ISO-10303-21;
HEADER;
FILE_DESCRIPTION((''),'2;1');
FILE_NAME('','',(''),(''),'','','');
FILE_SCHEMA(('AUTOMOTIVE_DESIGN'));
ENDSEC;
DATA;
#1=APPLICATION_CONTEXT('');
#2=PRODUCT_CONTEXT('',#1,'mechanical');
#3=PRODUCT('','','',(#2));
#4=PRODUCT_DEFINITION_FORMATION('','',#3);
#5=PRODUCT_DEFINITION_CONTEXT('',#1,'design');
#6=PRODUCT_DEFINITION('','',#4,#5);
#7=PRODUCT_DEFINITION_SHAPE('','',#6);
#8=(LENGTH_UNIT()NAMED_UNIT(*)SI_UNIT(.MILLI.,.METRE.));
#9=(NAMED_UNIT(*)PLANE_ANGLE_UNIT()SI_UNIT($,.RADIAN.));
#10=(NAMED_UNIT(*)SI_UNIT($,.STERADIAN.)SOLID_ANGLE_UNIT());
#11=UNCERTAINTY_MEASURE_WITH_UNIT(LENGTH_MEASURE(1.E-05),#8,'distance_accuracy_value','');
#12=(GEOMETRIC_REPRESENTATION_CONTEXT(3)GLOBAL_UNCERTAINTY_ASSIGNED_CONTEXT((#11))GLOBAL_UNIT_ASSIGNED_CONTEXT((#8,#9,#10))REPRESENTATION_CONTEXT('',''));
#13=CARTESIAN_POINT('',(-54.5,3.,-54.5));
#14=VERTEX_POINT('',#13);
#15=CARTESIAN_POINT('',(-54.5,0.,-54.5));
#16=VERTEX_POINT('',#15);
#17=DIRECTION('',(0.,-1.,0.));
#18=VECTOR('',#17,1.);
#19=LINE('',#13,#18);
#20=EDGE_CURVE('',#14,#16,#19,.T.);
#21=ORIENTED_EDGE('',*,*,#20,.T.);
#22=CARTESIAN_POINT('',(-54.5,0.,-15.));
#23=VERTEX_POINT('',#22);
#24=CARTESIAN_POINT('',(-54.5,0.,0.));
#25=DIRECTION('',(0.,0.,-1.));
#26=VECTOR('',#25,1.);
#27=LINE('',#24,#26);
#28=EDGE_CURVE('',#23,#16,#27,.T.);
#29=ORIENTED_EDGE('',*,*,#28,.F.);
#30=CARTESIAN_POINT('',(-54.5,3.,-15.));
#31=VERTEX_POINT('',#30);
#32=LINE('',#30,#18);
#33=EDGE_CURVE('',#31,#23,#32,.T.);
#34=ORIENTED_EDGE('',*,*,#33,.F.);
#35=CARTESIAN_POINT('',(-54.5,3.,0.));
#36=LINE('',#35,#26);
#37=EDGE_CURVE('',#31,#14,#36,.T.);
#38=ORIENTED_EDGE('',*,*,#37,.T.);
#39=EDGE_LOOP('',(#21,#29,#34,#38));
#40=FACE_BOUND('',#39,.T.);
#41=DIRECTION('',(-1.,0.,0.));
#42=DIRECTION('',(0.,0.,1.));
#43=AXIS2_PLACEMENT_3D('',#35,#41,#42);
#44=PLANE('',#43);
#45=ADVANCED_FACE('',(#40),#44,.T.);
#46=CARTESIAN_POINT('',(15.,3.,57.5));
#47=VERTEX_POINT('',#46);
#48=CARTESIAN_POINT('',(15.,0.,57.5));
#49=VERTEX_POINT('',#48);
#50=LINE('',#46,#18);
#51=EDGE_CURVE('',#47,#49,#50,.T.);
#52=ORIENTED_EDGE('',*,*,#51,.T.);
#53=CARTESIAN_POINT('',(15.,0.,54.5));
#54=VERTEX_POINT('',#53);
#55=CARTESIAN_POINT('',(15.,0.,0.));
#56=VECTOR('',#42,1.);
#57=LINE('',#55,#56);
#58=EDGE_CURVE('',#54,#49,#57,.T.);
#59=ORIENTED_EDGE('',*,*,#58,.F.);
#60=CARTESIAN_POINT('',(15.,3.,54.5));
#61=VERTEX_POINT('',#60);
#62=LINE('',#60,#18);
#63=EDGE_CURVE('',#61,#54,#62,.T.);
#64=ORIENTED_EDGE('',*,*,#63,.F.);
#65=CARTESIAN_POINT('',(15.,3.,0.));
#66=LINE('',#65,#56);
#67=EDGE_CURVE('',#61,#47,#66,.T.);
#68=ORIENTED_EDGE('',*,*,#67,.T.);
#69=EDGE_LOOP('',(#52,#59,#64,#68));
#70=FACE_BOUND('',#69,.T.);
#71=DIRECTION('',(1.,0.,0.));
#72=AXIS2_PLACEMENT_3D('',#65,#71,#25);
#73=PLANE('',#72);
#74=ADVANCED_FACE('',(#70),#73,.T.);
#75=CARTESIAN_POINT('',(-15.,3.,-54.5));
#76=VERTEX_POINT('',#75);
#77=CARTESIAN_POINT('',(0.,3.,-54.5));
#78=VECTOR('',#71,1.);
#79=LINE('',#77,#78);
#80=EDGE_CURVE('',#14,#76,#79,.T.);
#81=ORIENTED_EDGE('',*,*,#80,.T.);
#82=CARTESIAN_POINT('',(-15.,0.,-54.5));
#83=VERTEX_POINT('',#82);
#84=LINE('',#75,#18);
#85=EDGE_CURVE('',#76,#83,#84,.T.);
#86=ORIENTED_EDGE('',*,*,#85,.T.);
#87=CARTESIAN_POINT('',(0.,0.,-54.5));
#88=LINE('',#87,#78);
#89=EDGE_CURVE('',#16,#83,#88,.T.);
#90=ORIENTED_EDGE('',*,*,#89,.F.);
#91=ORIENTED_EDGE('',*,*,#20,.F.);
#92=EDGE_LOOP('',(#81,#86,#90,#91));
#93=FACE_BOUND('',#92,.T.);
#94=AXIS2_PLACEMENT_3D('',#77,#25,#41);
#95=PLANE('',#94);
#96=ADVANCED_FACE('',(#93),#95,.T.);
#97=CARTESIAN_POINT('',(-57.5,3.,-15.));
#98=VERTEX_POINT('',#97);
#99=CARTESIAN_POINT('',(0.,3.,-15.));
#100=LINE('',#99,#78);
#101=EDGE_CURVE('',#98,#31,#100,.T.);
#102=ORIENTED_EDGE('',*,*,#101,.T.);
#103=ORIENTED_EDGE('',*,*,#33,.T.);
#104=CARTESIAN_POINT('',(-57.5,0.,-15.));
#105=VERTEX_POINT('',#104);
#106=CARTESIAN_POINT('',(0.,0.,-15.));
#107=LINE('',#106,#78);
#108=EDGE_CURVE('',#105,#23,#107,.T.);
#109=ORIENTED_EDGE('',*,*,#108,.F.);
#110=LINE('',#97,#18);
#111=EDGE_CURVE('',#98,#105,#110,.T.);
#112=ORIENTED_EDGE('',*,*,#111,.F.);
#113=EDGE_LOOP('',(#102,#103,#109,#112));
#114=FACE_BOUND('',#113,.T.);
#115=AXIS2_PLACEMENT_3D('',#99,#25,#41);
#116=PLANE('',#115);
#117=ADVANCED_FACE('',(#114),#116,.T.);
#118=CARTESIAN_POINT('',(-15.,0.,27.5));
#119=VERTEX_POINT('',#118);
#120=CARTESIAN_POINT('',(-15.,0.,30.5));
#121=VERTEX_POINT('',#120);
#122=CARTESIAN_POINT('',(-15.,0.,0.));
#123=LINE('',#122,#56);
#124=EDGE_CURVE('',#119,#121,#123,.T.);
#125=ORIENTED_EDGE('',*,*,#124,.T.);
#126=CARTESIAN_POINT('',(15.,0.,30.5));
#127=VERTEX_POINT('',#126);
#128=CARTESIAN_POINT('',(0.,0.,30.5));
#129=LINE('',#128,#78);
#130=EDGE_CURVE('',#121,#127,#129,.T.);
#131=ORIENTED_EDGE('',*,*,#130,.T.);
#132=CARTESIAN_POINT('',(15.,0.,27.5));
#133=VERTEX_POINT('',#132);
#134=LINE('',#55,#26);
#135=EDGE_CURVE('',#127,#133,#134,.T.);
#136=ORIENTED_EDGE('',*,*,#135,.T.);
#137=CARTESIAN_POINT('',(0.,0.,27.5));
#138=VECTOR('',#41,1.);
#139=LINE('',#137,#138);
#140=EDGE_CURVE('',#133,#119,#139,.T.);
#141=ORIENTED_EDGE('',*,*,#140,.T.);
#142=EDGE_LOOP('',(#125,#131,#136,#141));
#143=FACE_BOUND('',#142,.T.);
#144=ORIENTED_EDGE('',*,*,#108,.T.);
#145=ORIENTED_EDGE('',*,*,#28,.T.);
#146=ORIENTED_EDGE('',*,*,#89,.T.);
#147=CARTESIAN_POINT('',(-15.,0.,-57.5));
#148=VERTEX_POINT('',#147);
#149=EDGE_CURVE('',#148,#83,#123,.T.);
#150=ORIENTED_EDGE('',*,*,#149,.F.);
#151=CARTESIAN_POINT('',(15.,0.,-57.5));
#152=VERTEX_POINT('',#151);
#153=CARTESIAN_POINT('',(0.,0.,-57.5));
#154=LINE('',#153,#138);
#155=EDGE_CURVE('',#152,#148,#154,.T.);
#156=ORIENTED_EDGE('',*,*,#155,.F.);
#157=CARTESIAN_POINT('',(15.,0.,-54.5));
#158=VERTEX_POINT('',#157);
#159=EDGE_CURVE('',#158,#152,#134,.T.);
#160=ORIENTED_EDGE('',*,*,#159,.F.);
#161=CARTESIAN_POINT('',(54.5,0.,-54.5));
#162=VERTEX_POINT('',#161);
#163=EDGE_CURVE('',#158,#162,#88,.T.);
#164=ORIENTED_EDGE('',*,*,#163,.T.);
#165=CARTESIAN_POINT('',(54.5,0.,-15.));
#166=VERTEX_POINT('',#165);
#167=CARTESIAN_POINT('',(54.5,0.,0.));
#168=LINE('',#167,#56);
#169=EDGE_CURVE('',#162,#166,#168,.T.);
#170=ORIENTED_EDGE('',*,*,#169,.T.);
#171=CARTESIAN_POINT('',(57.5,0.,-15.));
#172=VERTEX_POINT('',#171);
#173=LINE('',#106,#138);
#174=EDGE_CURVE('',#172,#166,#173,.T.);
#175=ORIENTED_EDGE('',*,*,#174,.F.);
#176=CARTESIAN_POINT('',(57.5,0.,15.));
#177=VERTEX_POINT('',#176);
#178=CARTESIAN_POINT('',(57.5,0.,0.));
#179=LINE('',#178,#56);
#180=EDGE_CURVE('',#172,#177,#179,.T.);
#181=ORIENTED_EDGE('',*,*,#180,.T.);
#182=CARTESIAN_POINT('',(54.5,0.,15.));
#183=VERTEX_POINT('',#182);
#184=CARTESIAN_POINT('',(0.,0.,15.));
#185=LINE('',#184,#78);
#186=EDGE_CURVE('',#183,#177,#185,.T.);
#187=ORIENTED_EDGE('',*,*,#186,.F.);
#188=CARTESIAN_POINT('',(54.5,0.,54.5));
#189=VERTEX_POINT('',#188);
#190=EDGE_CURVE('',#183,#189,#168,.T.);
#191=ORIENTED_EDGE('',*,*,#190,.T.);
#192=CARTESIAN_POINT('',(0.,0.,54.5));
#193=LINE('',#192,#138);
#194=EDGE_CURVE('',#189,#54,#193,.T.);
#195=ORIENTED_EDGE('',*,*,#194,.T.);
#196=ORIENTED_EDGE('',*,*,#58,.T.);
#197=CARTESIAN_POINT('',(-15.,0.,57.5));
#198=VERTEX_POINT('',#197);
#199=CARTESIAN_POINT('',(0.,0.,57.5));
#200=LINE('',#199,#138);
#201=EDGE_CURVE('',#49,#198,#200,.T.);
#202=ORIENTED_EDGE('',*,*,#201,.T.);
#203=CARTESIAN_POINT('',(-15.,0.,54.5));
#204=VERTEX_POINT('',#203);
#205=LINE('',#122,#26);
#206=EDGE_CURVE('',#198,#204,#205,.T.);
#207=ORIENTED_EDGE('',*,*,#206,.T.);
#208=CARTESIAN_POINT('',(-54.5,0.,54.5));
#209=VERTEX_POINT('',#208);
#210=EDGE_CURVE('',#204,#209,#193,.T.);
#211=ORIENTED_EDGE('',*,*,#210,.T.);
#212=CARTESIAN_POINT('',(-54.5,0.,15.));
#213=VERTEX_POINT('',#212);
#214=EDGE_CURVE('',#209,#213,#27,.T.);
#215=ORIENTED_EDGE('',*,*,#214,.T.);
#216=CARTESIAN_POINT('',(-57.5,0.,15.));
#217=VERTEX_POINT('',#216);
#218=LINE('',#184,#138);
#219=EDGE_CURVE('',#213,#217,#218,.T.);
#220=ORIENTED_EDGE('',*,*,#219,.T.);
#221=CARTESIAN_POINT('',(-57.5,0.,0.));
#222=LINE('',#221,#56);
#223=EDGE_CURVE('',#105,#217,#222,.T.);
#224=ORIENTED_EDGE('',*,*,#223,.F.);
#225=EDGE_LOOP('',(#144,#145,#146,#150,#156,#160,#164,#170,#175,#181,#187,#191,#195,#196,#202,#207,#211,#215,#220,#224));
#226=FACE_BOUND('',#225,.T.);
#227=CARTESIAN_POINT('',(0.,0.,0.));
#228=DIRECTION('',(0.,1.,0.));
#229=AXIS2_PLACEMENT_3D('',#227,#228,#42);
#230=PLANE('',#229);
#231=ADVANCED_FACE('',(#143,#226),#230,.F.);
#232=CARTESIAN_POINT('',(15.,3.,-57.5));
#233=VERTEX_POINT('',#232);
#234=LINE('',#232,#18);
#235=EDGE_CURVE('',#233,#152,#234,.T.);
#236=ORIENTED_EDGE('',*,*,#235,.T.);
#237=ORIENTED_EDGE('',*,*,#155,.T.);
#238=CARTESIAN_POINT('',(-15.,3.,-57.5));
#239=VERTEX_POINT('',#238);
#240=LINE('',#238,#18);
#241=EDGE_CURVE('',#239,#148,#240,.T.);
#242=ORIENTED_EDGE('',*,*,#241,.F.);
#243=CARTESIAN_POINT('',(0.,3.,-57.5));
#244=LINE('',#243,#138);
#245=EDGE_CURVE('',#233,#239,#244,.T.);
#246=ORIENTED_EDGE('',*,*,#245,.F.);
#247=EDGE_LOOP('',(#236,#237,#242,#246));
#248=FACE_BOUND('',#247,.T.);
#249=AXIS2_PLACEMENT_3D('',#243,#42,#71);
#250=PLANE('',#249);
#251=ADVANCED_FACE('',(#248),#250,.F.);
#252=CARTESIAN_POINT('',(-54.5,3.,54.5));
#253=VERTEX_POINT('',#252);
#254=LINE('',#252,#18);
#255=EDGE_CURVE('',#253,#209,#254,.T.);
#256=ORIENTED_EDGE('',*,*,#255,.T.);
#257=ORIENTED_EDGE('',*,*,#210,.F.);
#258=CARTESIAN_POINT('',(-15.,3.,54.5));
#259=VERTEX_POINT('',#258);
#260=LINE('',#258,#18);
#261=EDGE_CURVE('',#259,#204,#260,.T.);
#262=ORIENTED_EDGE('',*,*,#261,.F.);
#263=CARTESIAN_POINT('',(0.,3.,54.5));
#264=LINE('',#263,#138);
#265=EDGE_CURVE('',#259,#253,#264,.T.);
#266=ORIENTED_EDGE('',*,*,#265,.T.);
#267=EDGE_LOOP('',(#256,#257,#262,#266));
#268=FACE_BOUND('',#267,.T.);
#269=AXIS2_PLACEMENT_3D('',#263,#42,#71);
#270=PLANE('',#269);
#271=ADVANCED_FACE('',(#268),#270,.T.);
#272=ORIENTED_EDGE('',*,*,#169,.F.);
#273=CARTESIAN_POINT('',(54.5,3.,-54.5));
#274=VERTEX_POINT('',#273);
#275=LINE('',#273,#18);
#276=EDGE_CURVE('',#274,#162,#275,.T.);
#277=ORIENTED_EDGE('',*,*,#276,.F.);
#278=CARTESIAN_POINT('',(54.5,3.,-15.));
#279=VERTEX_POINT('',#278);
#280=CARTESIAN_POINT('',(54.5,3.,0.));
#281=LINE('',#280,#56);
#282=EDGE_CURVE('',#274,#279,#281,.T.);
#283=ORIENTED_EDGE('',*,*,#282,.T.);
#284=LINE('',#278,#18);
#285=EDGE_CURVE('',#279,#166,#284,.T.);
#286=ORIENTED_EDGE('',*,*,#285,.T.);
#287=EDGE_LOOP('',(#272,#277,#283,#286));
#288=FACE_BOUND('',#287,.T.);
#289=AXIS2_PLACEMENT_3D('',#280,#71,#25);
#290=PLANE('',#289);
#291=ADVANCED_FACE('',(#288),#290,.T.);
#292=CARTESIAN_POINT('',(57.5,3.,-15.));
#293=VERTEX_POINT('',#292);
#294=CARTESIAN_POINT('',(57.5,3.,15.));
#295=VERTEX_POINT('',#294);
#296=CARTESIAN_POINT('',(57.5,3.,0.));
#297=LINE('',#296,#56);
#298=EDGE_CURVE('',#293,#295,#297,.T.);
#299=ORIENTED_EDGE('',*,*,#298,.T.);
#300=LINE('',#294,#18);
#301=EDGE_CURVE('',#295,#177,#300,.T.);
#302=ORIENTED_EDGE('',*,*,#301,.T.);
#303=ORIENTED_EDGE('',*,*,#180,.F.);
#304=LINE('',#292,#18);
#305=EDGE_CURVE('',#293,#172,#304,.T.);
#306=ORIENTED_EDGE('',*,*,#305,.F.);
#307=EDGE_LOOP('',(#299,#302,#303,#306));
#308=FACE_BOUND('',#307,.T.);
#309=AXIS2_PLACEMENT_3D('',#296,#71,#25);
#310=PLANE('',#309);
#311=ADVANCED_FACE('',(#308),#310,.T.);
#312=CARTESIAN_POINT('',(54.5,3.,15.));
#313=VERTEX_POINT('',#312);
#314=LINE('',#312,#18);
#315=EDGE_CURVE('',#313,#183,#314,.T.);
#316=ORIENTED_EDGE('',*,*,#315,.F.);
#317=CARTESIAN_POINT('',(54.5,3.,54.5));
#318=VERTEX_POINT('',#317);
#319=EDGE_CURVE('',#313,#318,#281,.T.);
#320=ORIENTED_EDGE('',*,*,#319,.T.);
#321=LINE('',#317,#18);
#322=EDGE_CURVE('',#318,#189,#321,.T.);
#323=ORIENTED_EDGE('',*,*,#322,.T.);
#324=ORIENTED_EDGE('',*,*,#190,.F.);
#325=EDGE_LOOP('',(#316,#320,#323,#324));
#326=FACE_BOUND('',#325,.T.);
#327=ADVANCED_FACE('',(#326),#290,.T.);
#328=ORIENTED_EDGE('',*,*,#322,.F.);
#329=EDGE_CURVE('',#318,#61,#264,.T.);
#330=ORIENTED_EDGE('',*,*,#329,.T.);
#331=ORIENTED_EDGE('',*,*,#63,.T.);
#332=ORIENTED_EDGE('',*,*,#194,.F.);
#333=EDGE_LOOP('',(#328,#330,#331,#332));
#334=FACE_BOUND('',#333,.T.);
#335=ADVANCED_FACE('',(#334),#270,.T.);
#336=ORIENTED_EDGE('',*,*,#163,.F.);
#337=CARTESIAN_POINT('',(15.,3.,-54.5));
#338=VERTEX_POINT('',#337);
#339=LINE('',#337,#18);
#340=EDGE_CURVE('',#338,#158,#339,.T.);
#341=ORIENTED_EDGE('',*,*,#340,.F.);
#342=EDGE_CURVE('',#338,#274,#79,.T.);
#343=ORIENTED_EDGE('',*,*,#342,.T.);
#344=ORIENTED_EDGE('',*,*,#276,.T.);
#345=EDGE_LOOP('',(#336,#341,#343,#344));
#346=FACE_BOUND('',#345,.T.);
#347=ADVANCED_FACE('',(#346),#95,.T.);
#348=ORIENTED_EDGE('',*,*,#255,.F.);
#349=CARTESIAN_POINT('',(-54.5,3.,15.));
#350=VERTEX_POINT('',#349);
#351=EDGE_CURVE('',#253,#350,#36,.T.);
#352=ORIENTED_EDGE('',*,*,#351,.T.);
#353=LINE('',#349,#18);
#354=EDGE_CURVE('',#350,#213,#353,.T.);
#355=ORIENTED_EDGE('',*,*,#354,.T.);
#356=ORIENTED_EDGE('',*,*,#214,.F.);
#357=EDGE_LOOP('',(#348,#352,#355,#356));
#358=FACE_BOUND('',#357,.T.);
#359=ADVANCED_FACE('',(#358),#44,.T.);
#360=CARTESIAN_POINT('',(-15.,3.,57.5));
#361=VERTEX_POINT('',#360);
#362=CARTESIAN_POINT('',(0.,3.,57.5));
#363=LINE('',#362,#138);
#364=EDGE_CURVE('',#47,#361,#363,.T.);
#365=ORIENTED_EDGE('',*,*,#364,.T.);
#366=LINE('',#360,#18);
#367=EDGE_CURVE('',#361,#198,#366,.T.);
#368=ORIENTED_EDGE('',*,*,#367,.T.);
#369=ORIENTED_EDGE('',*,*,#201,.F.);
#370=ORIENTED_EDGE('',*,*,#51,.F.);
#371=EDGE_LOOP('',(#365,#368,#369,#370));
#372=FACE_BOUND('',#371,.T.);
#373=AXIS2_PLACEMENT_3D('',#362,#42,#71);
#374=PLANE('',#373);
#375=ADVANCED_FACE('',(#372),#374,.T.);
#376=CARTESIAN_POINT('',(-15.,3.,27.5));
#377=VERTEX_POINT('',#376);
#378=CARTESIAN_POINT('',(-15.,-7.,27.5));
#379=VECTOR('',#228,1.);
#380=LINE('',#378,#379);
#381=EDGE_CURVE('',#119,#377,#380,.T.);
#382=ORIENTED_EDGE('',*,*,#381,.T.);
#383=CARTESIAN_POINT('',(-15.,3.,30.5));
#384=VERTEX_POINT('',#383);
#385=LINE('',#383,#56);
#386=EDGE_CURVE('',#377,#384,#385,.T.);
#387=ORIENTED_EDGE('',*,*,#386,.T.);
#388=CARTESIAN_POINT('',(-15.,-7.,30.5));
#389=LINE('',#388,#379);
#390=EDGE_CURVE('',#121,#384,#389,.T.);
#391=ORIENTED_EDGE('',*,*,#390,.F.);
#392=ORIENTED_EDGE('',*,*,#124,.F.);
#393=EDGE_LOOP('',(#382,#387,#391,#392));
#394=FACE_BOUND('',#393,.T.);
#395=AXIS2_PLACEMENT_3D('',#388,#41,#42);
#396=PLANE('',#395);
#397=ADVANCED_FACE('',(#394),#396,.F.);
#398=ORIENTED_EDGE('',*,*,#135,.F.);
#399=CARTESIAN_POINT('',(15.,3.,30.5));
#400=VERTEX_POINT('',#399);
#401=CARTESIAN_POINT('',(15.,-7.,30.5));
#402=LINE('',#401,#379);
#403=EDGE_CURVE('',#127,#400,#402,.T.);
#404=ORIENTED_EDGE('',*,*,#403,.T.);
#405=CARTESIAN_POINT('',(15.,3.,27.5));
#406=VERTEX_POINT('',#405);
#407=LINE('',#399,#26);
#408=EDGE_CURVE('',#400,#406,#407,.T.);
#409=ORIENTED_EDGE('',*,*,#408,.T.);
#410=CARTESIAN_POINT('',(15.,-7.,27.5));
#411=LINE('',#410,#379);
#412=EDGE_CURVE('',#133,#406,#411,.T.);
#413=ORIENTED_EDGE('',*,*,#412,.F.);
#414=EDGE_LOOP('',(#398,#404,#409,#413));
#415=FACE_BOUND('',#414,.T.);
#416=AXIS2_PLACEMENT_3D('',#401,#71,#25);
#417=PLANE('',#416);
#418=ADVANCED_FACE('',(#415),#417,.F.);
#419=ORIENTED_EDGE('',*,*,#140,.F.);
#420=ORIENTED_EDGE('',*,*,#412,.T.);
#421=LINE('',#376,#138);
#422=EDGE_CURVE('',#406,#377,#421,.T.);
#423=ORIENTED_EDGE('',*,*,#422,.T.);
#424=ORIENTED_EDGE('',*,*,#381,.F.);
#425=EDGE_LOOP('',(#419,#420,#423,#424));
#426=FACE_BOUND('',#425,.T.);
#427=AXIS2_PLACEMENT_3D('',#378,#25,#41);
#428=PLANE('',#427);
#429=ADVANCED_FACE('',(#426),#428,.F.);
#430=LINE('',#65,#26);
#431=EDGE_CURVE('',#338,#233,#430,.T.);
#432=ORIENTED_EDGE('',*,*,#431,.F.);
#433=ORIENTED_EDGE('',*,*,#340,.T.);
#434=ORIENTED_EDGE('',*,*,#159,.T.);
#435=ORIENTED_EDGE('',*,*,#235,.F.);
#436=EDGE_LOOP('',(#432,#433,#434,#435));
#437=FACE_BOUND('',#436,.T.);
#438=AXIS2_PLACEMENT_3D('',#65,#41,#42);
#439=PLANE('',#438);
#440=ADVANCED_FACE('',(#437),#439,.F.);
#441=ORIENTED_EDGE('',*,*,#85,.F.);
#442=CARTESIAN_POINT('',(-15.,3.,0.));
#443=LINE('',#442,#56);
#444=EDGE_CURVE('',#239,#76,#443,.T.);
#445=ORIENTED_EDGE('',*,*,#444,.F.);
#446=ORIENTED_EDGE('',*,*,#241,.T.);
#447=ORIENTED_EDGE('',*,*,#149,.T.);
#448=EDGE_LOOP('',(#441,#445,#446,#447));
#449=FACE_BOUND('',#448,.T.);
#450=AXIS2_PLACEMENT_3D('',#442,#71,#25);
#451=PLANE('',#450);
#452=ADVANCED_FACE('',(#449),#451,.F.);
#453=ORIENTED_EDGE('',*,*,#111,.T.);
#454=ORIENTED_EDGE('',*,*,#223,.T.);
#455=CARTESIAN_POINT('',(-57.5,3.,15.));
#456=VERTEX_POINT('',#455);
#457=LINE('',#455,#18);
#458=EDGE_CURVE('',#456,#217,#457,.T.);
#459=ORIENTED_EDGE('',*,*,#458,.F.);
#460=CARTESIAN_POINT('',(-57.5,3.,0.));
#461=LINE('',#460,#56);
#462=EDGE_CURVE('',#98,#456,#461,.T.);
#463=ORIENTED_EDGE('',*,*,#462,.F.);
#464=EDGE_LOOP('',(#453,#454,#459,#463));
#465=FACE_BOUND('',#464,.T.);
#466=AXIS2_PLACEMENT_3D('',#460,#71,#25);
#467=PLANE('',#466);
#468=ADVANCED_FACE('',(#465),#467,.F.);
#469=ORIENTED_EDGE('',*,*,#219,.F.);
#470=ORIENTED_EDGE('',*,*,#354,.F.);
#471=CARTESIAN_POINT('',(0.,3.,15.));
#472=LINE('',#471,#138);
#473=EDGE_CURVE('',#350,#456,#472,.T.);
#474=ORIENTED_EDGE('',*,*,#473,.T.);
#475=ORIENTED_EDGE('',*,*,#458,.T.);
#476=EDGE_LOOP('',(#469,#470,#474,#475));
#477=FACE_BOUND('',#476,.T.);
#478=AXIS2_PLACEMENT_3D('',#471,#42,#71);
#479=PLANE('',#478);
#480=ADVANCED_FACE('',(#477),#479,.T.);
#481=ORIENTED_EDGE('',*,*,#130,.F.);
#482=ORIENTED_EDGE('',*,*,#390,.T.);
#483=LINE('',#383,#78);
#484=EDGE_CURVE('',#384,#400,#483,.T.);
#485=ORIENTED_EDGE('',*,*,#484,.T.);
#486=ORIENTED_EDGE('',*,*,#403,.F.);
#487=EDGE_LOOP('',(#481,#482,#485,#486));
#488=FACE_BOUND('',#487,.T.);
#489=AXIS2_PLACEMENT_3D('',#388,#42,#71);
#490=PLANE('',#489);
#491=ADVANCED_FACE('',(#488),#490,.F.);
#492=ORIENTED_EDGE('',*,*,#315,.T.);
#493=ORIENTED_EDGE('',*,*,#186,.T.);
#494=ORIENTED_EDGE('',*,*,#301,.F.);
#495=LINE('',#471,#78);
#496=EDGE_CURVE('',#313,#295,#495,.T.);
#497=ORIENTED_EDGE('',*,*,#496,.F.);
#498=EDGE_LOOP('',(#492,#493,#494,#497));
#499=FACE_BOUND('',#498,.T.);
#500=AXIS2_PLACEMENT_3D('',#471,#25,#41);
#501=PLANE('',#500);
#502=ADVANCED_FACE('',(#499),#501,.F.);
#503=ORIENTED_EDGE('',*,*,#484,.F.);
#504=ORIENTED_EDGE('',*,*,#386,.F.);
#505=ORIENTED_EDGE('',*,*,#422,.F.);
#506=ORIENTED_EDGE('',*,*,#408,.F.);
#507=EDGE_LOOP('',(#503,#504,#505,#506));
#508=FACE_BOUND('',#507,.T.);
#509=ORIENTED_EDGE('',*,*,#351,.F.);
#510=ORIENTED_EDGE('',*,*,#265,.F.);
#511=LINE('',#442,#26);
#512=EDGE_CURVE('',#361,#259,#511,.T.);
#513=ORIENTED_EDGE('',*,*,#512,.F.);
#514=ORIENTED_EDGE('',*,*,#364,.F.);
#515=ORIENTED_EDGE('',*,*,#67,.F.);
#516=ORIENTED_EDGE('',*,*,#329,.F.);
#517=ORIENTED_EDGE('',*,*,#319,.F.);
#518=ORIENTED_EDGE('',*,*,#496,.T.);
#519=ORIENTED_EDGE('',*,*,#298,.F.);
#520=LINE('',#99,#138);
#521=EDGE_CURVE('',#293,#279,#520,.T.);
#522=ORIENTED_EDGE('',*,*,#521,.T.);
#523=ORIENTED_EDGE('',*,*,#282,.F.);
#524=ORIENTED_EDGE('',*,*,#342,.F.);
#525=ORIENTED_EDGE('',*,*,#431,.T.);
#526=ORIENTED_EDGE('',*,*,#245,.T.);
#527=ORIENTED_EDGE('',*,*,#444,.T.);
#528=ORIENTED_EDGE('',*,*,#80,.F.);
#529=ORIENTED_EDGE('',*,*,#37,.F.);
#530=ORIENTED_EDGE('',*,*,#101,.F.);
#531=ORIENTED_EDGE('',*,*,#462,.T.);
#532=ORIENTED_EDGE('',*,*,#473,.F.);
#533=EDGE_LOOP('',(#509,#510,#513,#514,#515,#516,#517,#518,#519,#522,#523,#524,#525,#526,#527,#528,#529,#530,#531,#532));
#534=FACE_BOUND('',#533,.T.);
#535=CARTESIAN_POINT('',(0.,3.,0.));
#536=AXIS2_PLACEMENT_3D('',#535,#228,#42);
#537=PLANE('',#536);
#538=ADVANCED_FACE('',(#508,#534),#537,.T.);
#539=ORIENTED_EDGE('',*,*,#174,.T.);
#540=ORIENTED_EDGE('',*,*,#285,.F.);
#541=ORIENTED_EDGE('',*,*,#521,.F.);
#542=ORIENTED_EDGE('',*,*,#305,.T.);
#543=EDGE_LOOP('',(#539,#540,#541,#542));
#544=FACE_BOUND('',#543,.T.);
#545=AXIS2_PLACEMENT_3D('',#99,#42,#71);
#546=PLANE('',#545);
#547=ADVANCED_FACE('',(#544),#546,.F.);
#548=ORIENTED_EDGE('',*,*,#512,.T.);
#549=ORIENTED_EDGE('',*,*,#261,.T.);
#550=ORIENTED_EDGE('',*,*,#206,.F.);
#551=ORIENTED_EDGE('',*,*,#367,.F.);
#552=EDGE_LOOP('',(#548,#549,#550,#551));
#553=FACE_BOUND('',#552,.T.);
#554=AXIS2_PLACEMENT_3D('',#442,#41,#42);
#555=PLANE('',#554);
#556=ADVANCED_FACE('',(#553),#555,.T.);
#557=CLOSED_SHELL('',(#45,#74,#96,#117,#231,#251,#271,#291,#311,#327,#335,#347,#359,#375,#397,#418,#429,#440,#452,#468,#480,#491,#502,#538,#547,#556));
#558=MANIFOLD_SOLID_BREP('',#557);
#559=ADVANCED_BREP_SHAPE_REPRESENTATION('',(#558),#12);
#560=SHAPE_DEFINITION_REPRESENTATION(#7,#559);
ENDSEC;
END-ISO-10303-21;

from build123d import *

# Parameters (mm, degrees)
SKETCH1_W           = 30
SKETCH1_H           = 3
SKETCH1_W_2         = 3
SKETCH1_H_2         = 30
BOSS_EXTRUDE1_DEPTH = 3
SKETCH2_W           = 30
SKETCH2_H           = 3
CUT_EXTRUDE1_DEPTH  = 10


with BuildPart() as part:
    # Sketch1 → Boss-Extrude1 (new body)
    with BuildSketch(Plane(origin=(0, 0, 0), x_dir=(1, 0, 0), z_dir=(0, 1, 0))):
        with Locations((0, -56)):
            Rectangle(SKETCH1_W, SKETCH1_H)
        with Locations((-56, 0)):
            Rectangle(SKETCH1_W_2, SKETCH1_H_2)
        with Locations((0, 56)):
            Rectangle(SKETCH1_W, SKETCH1_H)
        Polygon((-54.5, -54.5), (-54.5, -15), (-54.5, 15), (-54.5, 54.5), (-15, 54.5), (15, 54.5), (54.5, 54.5), (54.5, 15), (54.5, -15), (54.5, -54.5), (15, -54.5), (-15, -54.5), align=None)
        with Locations((56, 0)):
            Rectangle(SKETCH1_W_2, SKETCH1_H_2)
    extrude(amount=BOSS_EXTRUDE1_DEPTH)

    # Sketch2 → Cut-Extrude1 (cut)
    with BuildSketch(Plane(origin=(0, 3, 0), x_dir=(1, 0, 0), z_dir=(0, 1, 0))):
        with Locations((0, -29)):
            Rectangle(SKETCH2_W, SKETCH2_H)
    extrude(amount=-CUT_EXTRUDE1_DEPTH, mode=Mode.SUBTRACT)


solid = part.part
